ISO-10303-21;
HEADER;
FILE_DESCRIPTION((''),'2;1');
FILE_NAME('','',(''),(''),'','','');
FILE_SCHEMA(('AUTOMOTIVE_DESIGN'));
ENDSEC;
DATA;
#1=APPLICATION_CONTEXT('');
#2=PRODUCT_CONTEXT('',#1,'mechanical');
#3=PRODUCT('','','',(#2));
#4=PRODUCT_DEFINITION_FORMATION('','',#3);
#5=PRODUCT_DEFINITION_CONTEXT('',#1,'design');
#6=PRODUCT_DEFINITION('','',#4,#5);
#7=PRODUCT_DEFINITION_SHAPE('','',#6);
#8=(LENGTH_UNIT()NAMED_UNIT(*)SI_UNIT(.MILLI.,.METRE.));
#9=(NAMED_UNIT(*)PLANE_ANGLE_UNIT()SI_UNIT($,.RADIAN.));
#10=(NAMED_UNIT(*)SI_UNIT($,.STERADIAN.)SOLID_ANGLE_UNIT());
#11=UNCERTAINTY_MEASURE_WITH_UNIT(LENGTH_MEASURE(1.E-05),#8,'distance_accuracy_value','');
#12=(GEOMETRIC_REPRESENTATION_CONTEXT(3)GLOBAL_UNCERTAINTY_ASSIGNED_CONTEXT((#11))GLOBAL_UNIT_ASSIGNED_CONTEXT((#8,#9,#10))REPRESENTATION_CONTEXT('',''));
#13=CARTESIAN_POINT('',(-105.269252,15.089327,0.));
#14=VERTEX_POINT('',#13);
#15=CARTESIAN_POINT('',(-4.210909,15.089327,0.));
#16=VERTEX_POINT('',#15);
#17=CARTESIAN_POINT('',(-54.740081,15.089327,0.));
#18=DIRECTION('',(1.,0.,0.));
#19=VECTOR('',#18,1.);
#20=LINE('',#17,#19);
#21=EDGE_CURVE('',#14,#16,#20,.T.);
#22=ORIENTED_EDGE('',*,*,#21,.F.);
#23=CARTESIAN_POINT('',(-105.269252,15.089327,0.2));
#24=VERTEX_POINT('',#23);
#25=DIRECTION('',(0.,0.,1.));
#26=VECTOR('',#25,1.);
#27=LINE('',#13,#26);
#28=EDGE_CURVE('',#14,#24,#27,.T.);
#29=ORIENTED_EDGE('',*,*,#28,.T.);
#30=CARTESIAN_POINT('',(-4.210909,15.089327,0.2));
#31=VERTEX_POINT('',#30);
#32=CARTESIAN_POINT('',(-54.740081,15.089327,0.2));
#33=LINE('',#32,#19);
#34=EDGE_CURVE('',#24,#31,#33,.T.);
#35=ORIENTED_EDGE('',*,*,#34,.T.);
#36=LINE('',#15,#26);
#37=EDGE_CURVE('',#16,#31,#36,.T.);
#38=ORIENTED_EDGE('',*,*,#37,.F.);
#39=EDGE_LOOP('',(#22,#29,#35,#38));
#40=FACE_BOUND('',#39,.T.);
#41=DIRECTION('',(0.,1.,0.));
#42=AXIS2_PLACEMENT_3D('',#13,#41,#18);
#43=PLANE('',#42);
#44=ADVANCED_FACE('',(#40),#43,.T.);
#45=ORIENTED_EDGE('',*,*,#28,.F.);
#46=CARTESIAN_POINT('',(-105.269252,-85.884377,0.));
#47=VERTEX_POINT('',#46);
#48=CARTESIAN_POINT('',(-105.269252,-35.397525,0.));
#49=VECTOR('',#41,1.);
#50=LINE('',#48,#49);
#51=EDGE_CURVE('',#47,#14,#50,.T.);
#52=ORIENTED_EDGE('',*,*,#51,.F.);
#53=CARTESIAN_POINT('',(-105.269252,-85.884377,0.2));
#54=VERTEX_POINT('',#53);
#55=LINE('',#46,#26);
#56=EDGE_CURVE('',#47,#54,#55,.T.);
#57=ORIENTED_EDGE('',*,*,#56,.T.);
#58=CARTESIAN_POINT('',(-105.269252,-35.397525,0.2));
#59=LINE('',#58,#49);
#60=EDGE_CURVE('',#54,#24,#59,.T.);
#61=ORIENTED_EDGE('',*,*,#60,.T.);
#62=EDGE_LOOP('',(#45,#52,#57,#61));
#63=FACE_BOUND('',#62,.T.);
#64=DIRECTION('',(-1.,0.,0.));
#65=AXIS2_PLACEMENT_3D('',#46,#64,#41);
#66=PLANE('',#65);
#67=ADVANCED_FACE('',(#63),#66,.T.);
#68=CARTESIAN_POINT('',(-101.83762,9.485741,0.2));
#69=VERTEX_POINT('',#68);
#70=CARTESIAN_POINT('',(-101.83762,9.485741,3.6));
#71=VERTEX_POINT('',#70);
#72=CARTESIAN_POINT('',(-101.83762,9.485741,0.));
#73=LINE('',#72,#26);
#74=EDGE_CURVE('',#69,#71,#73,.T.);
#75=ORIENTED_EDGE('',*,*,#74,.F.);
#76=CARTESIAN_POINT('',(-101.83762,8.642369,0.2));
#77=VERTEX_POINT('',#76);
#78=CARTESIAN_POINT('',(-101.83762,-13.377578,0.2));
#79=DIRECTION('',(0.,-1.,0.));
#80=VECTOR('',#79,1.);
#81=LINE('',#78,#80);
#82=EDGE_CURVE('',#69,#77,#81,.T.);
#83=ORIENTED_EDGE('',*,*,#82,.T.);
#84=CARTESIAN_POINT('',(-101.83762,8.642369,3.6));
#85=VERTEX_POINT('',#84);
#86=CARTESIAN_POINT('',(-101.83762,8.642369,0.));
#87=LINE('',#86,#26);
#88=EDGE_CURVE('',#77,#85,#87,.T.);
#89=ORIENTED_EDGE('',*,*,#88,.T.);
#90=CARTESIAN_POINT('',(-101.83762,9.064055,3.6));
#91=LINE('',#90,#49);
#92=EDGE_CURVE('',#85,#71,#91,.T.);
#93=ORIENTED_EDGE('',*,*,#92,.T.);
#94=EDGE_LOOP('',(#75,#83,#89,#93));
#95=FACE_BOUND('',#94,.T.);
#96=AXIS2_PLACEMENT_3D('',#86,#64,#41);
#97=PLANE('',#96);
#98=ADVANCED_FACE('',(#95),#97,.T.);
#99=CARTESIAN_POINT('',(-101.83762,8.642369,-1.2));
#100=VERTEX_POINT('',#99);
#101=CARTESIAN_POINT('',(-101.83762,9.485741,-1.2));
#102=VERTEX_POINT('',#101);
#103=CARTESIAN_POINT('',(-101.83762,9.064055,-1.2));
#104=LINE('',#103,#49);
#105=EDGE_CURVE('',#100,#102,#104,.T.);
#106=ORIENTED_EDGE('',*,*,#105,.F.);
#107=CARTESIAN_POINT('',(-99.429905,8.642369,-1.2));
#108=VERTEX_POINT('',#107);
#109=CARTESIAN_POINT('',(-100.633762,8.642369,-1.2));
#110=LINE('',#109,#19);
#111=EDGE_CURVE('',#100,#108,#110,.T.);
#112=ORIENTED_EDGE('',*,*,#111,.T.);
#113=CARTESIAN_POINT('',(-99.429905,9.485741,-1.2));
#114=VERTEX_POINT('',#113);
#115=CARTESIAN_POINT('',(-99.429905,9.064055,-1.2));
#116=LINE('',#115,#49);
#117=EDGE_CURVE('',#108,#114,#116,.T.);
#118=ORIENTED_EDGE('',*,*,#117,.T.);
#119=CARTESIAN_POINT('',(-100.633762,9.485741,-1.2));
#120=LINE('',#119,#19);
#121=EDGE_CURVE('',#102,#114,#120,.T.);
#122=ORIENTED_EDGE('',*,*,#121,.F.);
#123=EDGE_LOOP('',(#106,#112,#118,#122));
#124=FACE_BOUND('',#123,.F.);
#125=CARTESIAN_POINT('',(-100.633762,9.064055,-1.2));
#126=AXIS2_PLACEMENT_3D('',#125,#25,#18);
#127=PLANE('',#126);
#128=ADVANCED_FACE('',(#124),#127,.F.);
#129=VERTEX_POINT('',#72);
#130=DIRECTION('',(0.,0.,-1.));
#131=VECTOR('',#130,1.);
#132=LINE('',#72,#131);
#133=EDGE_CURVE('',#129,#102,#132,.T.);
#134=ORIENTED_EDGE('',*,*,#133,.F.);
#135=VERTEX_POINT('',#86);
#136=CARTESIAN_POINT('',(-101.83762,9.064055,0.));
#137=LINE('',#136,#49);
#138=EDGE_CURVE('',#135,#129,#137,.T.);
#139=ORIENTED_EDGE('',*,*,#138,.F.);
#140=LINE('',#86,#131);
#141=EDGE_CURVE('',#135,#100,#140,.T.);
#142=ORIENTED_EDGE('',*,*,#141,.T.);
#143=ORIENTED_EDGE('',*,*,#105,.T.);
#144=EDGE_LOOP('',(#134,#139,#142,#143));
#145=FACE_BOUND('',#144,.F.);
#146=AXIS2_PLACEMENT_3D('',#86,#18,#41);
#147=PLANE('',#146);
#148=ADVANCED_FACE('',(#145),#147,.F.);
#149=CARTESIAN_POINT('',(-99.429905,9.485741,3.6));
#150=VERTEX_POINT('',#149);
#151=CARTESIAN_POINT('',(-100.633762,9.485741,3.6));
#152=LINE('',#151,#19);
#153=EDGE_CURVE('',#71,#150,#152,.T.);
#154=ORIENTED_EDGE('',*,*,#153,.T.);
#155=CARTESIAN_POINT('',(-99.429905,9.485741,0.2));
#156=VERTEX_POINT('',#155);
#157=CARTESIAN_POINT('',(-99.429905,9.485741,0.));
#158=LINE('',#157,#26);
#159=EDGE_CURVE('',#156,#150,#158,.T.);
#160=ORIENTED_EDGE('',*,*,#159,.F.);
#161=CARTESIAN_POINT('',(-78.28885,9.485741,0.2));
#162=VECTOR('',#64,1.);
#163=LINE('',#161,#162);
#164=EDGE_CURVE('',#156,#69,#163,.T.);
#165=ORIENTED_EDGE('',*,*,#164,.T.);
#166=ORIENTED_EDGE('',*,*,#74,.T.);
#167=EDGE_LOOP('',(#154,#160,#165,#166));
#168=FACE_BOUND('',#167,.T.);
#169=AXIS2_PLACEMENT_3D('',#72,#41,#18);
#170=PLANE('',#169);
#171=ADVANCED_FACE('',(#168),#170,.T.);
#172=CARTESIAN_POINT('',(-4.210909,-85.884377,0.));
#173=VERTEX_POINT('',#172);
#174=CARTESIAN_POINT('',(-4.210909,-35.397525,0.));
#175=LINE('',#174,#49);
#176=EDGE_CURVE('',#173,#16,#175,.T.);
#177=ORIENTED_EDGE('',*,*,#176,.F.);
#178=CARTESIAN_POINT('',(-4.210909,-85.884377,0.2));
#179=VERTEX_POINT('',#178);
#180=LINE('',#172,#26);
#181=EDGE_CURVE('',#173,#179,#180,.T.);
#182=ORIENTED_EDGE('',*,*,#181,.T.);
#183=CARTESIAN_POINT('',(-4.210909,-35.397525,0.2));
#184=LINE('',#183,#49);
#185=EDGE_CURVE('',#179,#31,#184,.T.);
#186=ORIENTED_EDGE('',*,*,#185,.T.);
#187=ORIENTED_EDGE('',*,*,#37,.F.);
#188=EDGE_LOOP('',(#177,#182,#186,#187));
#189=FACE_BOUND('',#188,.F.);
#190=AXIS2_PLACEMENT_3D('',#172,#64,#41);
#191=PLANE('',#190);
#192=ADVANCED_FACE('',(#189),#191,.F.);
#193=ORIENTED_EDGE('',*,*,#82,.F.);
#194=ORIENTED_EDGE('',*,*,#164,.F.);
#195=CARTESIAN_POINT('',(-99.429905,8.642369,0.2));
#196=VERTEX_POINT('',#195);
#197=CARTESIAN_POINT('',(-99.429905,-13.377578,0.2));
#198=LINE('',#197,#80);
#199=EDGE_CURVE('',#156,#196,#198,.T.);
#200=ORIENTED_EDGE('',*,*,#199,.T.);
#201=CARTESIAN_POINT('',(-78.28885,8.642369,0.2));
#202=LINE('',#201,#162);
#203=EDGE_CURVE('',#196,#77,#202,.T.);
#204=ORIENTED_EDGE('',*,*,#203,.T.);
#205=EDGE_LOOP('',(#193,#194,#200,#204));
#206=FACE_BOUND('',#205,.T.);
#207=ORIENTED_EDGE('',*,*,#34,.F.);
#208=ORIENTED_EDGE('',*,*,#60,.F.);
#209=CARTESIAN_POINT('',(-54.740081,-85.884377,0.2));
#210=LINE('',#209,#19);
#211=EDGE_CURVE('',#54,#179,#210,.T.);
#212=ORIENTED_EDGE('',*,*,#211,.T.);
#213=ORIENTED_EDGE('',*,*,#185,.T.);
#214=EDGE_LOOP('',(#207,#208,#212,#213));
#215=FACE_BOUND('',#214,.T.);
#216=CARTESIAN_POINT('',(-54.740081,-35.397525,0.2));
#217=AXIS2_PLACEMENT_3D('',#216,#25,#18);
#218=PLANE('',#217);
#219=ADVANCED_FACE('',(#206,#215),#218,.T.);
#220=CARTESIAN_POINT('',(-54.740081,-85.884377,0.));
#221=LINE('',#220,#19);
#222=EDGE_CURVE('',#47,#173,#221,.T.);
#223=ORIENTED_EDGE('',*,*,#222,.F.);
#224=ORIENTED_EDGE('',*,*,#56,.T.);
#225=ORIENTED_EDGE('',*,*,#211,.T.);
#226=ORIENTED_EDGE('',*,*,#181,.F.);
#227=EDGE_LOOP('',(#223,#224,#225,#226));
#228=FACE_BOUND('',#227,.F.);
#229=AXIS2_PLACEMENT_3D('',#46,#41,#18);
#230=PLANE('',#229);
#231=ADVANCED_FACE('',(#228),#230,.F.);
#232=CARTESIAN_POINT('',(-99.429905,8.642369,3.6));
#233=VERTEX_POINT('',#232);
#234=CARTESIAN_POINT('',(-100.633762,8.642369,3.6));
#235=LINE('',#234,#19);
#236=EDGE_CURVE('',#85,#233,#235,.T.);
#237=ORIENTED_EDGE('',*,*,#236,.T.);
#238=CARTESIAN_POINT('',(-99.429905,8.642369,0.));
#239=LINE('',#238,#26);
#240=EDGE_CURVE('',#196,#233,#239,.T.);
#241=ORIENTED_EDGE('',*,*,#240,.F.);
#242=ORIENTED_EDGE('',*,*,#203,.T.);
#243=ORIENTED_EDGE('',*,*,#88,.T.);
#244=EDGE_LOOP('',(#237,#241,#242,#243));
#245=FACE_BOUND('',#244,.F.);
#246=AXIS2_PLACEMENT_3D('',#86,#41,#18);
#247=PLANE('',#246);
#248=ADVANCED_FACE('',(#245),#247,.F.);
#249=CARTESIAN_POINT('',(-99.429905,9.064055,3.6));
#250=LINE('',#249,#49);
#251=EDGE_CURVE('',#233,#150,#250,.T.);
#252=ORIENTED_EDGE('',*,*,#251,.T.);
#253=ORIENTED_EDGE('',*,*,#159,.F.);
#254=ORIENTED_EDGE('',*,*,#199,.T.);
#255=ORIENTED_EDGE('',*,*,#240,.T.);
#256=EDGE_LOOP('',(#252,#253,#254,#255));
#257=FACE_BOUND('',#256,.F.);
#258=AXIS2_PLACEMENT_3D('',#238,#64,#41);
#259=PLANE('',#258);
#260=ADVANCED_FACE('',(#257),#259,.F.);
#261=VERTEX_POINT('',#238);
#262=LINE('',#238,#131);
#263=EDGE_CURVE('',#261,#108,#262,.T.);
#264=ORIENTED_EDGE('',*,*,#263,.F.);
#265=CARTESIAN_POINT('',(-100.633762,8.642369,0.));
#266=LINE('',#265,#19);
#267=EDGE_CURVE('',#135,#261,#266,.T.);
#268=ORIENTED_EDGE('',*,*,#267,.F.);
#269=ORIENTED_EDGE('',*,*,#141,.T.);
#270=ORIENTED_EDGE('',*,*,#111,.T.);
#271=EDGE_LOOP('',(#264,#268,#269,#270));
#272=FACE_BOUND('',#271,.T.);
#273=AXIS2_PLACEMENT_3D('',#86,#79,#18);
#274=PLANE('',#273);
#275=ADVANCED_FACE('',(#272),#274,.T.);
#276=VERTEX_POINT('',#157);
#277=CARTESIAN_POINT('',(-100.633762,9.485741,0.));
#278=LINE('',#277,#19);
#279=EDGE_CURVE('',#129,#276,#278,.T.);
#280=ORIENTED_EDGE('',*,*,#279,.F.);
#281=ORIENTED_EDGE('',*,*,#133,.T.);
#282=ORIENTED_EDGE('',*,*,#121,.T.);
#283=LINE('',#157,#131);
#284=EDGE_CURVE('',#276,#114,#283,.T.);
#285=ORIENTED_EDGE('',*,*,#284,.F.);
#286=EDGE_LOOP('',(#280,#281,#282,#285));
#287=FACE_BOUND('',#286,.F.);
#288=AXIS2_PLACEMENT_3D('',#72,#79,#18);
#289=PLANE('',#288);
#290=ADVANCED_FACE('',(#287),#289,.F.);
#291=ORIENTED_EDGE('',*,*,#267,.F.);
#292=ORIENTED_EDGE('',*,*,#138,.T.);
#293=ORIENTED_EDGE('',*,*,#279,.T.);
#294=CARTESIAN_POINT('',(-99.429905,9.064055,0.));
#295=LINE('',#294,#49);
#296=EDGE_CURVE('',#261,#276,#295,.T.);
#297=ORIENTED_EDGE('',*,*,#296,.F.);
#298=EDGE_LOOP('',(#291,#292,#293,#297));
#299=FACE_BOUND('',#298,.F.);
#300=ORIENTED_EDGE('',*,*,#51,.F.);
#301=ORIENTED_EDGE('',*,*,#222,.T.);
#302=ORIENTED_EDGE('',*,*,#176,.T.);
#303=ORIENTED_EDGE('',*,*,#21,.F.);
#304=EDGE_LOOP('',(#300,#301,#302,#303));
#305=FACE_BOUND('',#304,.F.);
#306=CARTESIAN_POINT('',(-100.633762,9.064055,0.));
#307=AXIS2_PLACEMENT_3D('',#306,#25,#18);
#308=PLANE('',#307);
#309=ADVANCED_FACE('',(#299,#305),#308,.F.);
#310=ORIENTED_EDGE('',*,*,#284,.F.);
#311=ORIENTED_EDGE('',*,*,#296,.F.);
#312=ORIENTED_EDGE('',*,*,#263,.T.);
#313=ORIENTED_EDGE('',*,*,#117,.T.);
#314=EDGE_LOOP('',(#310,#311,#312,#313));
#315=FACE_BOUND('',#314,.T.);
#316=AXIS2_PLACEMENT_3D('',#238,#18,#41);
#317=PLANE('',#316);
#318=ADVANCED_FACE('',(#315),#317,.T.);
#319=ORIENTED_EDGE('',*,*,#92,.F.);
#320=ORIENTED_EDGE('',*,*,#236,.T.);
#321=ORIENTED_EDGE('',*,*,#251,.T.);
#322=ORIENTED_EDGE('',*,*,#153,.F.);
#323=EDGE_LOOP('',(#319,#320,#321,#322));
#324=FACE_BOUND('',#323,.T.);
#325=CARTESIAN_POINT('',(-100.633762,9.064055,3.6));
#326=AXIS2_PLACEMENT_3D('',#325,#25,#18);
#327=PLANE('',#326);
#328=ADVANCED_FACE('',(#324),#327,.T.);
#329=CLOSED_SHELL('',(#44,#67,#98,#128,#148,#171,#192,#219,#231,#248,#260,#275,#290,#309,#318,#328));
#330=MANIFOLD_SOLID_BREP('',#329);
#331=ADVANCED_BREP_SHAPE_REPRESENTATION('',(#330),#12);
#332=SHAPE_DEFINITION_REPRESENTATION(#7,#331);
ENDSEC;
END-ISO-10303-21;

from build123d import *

# Parameters (mm, degrees)
F0_W          = 101.058343
F0_H          = 100.973705
F1_DEPTH      = 0.2
F2_W          = 2.407715
F2_H          = 0.843372
F3_DEPTH      = 3.6
F3_DEPTH_BACK = 1.2


with BuildPart() as f1:
    # F0 (on Top) → F1 (new body)
    with BuildSketch(Plane.XY):
        with Locations((-54.740081, -35.397525)):
            Rectangle(F0_W, F0_H)
    extrude(amount=F1_DEPTH)

    # F2 (on Top) → F3 (join, two sides)
    with BuildSketch(Plane.XY) as f3_sk:
        with Locations((-100.633762, 9.064055)):
            Rectangle(F2_W, F2_H)
    extrude(amount=F3_DEPTH)
    extrude(f3_sk.sketch, amount=-F3_DEPTH_BACK)


solid = f1.part
